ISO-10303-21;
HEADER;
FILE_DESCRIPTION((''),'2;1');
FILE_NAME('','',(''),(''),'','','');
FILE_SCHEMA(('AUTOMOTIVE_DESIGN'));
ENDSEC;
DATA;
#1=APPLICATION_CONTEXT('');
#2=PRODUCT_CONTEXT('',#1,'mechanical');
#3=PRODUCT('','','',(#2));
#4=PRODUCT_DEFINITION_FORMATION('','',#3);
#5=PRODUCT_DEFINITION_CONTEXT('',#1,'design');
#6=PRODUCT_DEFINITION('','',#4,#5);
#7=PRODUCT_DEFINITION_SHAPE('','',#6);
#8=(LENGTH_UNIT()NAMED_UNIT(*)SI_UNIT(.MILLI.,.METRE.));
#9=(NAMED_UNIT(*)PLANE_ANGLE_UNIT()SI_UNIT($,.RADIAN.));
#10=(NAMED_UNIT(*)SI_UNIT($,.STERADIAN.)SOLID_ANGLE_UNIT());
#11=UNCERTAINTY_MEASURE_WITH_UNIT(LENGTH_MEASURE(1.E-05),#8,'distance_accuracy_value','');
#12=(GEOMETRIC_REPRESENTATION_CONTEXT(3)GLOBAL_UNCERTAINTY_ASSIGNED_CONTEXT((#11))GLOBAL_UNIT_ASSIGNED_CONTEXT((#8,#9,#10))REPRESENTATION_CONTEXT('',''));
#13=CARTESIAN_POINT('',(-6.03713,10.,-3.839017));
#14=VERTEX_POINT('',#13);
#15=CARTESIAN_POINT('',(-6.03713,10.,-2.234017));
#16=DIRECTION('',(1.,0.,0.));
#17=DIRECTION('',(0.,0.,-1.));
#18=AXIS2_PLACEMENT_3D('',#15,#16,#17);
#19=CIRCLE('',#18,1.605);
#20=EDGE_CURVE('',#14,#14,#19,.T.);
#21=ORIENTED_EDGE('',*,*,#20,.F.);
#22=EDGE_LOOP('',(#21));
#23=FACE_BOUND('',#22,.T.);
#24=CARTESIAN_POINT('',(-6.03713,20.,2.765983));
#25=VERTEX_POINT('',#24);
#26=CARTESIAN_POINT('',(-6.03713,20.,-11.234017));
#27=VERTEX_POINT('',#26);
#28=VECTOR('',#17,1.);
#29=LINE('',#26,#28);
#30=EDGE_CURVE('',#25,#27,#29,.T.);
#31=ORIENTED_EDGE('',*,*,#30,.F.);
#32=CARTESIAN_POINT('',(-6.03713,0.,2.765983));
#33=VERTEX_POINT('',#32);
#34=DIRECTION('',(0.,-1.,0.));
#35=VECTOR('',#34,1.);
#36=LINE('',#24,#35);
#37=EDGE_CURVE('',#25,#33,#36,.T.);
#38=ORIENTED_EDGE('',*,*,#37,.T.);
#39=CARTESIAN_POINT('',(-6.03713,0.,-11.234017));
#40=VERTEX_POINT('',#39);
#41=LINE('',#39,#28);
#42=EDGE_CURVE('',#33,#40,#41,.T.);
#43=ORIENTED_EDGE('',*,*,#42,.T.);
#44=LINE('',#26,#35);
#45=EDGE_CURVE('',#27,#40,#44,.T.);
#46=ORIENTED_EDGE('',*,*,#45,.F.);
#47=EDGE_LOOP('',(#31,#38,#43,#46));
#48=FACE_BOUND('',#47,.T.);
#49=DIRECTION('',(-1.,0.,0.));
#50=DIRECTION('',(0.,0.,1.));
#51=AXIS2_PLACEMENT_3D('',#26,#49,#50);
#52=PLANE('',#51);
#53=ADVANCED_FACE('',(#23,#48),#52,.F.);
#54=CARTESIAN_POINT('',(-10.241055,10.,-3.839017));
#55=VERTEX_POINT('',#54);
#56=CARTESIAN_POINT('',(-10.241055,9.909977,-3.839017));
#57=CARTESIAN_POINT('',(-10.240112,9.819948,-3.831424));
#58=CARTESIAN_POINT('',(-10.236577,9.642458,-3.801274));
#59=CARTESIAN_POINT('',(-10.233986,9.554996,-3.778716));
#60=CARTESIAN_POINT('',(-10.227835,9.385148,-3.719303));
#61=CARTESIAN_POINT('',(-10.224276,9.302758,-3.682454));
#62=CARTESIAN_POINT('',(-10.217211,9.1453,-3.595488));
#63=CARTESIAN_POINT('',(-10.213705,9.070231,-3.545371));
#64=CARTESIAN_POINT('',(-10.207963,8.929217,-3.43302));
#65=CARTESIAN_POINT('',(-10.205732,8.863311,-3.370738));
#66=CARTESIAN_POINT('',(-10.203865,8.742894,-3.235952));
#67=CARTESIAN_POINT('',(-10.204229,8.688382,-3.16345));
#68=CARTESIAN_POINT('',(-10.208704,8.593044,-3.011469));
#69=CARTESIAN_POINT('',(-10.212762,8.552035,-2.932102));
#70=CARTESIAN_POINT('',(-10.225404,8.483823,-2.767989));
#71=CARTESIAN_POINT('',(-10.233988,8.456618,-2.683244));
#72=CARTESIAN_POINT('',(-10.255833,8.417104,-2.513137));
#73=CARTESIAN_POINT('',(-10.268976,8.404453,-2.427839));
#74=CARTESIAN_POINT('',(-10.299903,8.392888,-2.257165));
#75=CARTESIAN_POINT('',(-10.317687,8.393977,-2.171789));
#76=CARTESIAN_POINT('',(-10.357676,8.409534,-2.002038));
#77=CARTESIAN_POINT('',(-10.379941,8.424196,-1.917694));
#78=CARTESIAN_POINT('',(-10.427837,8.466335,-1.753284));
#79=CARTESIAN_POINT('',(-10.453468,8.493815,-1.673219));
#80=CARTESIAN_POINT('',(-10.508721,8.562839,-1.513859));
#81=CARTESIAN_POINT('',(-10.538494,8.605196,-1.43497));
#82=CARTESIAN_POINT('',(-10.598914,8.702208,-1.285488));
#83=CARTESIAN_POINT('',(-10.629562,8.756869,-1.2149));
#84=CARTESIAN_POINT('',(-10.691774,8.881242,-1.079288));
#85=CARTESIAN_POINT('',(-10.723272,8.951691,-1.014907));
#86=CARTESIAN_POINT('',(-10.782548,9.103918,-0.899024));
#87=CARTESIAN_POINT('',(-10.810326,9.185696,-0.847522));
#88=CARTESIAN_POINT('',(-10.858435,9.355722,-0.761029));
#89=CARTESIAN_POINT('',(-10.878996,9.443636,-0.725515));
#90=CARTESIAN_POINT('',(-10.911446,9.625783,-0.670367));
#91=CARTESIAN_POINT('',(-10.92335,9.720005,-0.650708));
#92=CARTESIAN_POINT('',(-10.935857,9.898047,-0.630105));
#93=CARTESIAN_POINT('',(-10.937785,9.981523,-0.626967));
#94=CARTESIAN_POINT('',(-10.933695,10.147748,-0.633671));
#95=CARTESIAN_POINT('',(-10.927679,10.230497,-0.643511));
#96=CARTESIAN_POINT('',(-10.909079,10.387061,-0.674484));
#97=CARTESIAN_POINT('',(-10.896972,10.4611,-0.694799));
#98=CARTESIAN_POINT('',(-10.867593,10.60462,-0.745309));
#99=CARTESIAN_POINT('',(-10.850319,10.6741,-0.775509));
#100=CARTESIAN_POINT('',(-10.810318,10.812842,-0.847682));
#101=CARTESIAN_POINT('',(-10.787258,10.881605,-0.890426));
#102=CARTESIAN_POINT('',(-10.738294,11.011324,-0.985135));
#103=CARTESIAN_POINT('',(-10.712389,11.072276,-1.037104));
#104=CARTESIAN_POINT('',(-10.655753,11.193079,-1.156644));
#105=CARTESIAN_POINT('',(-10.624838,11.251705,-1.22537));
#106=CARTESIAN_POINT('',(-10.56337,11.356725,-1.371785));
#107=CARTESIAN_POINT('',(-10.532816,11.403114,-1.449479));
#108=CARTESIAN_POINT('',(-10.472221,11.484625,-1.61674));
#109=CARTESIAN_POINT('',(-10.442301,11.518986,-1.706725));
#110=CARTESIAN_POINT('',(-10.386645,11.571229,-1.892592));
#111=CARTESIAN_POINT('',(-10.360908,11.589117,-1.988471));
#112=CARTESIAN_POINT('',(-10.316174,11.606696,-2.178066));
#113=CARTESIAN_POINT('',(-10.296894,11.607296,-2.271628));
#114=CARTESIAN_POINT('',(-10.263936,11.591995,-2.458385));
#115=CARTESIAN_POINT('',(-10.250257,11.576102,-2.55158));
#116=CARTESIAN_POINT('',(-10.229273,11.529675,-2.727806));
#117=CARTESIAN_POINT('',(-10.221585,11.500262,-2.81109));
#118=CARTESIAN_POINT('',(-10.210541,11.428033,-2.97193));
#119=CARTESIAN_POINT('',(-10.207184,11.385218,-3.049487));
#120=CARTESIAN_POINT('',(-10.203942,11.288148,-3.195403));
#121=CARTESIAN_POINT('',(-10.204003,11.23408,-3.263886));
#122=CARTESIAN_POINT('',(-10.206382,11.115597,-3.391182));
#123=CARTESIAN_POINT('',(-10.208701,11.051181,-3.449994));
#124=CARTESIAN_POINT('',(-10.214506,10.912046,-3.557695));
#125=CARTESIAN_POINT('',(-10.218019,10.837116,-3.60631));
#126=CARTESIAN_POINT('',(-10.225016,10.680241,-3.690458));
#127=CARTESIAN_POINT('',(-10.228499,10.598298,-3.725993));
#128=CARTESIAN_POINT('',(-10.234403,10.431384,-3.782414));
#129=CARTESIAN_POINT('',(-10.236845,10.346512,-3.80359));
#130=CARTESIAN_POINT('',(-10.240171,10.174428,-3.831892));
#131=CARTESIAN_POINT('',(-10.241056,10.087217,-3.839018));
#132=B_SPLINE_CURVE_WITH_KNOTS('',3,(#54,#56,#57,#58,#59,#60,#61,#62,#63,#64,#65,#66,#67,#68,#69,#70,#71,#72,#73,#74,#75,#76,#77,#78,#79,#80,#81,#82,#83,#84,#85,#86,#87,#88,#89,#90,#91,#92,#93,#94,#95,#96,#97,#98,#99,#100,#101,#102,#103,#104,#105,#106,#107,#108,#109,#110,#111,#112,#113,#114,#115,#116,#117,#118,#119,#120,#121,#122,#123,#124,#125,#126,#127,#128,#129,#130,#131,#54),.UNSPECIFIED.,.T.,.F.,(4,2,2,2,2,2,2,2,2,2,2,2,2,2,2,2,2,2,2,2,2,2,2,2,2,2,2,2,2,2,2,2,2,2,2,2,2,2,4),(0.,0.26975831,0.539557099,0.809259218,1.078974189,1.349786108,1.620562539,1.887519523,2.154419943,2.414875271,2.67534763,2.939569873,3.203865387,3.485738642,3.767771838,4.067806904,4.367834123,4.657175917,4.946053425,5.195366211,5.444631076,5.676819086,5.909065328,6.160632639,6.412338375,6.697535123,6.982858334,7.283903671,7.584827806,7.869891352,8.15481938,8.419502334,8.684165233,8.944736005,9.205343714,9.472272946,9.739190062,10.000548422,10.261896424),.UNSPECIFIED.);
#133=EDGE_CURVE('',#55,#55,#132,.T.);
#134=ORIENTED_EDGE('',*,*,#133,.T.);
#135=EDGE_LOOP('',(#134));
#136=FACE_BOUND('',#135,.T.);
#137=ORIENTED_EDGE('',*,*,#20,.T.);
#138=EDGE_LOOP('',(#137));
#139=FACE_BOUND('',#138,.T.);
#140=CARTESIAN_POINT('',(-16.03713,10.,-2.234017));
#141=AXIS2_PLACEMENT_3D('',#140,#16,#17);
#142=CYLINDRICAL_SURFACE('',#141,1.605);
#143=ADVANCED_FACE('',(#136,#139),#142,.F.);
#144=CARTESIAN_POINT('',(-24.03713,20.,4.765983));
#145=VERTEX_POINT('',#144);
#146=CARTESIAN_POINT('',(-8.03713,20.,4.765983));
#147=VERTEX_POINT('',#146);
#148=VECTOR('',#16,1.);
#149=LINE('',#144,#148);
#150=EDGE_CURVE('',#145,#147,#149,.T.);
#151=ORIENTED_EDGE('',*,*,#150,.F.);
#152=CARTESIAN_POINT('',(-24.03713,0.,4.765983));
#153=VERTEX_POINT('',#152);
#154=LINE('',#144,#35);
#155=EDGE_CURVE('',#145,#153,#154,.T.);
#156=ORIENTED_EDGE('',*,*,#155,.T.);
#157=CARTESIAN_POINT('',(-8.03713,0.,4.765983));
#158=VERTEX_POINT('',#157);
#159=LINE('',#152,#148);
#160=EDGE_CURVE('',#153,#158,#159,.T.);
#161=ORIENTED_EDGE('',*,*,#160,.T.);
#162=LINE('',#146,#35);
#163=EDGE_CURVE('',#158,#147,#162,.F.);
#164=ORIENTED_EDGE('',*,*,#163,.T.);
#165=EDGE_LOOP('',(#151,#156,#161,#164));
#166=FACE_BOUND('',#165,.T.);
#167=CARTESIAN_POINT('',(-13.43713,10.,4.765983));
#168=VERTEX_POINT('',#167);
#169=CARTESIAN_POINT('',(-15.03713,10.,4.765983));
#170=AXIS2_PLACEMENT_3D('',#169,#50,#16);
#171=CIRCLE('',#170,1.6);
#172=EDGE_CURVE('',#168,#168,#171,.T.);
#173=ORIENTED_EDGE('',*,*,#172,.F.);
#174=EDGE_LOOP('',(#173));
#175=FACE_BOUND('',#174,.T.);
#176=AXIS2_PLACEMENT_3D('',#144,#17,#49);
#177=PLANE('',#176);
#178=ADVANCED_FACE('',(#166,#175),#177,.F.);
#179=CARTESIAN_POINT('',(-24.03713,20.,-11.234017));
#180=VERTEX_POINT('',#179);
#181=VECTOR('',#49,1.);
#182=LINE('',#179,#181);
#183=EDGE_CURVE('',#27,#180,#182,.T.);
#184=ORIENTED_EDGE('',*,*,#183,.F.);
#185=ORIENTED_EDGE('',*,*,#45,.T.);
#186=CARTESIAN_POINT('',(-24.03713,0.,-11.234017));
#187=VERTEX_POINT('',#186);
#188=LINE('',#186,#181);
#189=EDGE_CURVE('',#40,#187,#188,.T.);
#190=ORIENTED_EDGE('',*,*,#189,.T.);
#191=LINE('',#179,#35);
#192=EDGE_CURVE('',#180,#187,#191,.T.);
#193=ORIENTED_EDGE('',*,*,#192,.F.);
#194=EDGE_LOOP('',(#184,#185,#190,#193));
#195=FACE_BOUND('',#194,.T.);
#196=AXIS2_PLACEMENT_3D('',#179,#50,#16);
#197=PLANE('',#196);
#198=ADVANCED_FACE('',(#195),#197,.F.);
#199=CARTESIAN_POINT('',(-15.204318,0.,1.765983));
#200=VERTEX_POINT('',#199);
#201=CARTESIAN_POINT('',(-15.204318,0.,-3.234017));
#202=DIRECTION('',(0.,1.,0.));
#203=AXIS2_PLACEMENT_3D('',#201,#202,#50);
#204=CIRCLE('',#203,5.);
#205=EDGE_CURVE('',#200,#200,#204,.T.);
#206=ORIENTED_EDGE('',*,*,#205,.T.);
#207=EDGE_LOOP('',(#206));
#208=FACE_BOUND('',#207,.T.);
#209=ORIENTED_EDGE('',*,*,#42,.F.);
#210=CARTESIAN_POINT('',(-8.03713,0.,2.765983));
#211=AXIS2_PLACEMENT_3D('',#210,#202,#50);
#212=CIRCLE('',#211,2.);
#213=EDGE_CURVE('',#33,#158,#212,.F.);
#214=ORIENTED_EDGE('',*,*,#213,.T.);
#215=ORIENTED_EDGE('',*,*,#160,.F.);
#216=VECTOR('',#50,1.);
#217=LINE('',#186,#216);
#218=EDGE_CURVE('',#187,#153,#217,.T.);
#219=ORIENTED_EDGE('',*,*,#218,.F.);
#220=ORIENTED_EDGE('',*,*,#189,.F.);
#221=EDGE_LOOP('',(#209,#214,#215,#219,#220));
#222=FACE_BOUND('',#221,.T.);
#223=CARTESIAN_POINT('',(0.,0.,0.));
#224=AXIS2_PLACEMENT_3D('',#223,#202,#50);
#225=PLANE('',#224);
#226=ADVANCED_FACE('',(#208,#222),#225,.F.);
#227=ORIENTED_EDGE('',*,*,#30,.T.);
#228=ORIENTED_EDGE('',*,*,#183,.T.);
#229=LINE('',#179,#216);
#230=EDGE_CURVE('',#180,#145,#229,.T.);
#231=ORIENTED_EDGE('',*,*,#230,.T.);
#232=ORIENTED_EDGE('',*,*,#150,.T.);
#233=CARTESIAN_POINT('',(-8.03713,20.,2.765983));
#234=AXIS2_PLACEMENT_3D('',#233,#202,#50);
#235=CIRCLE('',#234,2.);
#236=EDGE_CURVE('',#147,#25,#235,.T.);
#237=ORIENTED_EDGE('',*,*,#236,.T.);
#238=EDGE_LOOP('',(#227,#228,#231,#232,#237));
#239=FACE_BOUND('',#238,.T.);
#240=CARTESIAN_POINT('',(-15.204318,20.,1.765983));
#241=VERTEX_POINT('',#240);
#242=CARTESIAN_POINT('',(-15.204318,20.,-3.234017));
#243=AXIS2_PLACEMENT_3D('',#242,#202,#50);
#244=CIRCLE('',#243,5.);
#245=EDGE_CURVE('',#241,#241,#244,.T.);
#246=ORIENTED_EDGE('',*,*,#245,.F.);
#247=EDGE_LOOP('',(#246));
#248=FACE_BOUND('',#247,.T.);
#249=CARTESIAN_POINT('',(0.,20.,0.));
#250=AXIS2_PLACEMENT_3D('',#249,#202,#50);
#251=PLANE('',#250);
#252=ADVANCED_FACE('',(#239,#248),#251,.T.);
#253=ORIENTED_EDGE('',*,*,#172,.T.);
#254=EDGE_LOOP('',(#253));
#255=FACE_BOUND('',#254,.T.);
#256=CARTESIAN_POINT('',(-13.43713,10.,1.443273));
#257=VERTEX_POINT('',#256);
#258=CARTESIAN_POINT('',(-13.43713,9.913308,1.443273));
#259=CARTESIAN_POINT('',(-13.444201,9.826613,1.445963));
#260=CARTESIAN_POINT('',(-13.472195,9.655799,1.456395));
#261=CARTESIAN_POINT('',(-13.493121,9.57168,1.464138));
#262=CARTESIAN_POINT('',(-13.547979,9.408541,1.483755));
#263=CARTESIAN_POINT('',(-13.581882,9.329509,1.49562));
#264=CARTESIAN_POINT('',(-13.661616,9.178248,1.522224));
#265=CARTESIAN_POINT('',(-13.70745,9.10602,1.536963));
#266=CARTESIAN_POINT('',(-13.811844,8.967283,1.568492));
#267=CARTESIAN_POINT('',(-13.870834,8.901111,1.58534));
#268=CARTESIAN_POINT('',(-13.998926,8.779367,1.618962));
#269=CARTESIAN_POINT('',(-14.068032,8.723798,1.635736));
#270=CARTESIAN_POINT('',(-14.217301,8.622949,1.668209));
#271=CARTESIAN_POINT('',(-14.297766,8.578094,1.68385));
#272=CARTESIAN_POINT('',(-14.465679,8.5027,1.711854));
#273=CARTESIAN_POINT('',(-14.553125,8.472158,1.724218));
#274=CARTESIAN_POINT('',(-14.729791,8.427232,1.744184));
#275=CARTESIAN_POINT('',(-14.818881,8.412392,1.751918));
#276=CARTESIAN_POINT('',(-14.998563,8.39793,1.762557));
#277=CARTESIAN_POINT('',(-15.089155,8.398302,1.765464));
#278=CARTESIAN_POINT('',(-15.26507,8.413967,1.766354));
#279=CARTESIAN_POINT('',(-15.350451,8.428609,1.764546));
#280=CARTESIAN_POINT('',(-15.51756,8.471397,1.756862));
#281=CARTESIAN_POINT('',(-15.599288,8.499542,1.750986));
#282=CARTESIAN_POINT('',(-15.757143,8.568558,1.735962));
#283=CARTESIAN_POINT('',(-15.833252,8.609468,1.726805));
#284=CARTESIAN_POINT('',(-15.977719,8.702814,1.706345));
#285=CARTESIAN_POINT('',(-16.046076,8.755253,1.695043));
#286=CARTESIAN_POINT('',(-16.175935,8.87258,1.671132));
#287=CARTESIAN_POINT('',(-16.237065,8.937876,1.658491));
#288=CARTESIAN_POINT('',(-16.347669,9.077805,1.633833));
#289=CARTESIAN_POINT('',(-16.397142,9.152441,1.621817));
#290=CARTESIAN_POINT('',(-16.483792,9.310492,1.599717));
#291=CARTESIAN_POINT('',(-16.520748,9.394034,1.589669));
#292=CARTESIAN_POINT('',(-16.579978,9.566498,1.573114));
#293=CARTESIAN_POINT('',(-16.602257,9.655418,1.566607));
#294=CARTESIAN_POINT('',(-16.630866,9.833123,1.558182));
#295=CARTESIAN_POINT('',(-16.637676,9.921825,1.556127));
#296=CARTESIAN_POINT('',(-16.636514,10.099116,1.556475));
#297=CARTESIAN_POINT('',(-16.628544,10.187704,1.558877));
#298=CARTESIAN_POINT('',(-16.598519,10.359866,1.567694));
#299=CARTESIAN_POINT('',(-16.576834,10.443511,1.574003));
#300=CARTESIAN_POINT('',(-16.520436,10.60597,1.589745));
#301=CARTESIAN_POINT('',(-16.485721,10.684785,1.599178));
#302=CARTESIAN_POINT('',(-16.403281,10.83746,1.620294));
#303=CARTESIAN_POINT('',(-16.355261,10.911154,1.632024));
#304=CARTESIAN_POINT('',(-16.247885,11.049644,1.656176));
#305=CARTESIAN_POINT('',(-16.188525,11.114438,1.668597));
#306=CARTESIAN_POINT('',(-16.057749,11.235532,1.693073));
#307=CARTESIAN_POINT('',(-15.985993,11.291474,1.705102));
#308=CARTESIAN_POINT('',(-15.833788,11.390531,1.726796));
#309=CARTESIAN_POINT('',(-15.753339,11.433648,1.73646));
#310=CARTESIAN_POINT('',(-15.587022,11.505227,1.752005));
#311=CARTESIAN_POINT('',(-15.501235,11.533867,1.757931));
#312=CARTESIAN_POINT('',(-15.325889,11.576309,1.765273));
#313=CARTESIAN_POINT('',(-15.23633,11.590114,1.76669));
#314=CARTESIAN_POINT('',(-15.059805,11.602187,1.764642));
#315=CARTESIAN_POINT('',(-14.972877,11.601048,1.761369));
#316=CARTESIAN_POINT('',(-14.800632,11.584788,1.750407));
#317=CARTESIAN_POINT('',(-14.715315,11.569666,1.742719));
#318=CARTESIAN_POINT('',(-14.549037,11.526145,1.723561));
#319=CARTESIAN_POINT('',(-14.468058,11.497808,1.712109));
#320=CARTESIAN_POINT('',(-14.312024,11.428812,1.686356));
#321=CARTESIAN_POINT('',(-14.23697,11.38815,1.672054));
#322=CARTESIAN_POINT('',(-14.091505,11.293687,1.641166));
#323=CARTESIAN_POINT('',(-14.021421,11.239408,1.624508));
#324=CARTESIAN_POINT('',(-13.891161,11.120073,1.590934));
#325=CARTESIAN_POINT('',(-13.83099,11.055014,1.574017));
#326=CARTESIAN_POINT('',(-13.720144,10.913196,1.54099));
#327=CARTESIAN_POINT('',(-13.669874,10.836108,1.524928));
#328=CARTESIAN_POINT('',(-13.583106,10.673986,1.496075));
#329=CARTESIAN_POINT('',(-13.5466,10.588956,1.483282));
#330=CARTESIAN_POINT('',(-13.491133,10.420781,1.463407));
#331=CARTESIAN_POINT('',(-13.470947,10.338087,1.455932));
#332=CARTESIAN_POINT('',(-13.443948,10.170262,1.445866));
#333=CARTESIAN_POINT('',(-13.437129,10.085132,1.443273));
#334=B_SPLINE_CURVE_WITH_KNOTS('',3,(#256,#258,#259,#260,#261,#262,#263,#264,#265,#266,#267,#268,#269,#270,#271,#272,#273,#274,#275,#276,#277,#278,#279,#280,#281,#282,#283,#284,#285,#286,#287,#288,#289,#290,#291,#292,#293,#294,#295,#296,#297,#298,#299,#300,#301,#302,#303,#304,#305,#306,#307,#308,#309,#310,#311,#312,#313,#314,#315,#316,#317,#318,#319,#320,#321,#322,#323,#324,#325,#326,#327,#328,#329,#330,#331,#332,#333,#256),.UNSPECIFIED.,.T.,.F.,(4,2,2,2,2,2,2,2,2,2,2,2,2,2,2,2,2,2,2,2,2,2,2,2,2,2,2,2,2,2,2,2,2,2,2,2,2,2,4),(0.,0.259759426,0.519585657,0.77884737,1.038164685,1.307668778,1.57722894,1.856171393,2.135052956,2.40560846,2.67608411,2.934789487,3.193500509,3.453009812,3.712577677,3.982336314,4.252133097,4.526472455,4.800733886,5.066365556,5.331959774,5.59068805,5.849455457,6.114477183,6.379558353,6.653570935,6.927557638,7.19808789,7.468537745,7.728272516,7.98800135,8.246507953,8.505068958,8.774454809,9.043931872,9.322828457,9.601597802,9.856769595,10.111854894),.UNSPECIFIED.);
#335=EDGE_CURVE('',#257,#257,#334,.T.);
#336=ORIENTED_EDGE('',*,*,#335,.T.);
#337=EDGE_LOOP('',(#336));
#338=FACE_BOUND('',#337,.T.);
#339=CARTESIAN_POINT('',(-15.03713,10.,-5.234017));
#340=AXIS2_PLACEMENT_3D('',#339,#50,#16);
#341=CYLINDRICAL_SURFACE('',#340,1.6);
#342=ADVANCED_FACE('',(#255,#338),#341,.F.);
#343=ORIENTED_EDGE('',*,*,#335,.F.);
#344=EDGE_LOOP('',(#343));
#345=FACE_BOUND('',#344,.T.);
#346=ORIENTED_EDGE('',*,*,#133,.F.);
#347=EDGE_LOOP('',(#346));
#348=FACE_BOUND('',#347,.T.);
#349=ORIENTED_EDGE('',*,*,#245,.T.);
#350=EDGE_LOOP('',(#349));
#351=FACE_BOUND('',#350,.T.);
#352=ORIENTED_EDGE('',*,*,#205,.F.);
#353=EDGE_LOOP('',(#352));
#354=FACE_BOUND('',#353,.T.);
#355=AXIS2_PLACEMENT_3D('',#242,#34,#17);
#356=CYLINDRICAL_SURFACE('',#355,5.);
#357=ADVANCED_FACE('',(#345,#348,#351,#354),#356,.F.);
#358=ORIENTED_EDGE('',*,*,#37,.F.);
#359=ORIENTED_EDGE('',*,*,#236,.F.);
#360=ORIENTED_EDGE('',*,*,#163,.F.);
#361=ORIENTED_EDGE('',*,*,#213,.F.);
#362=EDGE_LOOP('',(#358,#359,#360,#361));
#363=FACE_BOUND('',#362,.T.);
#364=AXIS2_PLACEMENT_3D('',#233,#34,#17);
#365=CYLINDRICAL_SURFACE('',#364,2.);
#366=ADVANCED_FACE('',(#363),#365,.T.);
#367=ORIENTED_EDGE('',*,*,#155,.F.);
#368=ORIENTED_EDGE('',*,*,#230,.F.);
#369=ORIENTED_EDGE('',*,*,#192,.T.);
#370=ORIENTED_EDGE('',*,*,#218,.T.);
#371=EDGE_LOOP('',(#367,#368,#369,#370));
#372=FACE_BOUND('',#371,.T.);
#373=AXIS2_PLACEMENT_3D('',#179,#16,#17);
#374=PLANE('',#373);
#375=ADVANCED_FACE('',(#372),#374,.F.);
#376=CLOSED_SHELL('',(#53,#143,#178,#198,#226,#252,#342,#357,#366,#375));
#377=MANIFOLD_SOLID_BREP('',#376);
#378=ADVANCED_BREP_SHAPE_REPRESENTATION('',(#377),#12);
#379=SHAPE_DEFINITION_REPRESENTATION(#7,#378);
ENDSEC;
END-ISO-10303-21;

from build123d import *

# Parameters (mm, degrees)
SKETCH1_W           = 18
SKETCH1_H           = 16
SKETCH1_R           = 5
BOSS_EXTRUDE2_DEPTH = 20
SKETCH3_R           = 1.605
CUT_EXTRUDE1_DEPTH  = 10
SKETCH4_R           = 1.6
CUT_EXTRUDE2_DEPTH  = 10
FILLET1_R           = 2


with BuildPart() as part:
    # Sketch1 → Boss-Extrude2 (new body)
    with BuildSketch(Plane(origin=(0, 0, 0), x_dir=(1, 0, 0), z_dir=(0, 1, 0))):
        with Locations((-15.037129634, 3.2340174)):
            Rectangle(SKETCH1_W, SKETCH1_H)
        with Locations(Location((-15.204317972, 3.2340174, 0), (0, 0, 270))):
            Circle(SKETCH1_R, mode=Mode.SUBTRACT)
    extrude(amount=BOSS_EXTRUDE2_DEPTH)

    # Sketch3 → Cut-Extrude1 (cut)
    with BuildSketch(Plane(origin=(-6.037129634, 0, 0), x_dir=(0, 0, -1), z_dir=(1, 0, 0))):
        with Locations((2.2340174, 10)):
            Circle(SKETCH3_R)
    extrude(amount=-CUT_EXTRUDE1_DEPTH, mode=Mode.SUBTRACT)

    # Sketch4 → Cut-Extrude2 (cut)
    with BuildSketch(Plane.XY.offset(4.7659826)):
        with Locations((-15.037129634, 10)):
            Circle(SKETCH4_R)
    extrude(amount=-CUT_EXTRUDE2_DEPTH, mode=Mode.SUBTRACT)

    # Fillet1
    fillet1_edges = [part.edges().sort_by_distance(p)[0] for p in [
        (-6.037129634, 10, 4.7659826),
    ]]
    fillet(fillet1_edges, radius=FILLET1_R)


solid = part.part
